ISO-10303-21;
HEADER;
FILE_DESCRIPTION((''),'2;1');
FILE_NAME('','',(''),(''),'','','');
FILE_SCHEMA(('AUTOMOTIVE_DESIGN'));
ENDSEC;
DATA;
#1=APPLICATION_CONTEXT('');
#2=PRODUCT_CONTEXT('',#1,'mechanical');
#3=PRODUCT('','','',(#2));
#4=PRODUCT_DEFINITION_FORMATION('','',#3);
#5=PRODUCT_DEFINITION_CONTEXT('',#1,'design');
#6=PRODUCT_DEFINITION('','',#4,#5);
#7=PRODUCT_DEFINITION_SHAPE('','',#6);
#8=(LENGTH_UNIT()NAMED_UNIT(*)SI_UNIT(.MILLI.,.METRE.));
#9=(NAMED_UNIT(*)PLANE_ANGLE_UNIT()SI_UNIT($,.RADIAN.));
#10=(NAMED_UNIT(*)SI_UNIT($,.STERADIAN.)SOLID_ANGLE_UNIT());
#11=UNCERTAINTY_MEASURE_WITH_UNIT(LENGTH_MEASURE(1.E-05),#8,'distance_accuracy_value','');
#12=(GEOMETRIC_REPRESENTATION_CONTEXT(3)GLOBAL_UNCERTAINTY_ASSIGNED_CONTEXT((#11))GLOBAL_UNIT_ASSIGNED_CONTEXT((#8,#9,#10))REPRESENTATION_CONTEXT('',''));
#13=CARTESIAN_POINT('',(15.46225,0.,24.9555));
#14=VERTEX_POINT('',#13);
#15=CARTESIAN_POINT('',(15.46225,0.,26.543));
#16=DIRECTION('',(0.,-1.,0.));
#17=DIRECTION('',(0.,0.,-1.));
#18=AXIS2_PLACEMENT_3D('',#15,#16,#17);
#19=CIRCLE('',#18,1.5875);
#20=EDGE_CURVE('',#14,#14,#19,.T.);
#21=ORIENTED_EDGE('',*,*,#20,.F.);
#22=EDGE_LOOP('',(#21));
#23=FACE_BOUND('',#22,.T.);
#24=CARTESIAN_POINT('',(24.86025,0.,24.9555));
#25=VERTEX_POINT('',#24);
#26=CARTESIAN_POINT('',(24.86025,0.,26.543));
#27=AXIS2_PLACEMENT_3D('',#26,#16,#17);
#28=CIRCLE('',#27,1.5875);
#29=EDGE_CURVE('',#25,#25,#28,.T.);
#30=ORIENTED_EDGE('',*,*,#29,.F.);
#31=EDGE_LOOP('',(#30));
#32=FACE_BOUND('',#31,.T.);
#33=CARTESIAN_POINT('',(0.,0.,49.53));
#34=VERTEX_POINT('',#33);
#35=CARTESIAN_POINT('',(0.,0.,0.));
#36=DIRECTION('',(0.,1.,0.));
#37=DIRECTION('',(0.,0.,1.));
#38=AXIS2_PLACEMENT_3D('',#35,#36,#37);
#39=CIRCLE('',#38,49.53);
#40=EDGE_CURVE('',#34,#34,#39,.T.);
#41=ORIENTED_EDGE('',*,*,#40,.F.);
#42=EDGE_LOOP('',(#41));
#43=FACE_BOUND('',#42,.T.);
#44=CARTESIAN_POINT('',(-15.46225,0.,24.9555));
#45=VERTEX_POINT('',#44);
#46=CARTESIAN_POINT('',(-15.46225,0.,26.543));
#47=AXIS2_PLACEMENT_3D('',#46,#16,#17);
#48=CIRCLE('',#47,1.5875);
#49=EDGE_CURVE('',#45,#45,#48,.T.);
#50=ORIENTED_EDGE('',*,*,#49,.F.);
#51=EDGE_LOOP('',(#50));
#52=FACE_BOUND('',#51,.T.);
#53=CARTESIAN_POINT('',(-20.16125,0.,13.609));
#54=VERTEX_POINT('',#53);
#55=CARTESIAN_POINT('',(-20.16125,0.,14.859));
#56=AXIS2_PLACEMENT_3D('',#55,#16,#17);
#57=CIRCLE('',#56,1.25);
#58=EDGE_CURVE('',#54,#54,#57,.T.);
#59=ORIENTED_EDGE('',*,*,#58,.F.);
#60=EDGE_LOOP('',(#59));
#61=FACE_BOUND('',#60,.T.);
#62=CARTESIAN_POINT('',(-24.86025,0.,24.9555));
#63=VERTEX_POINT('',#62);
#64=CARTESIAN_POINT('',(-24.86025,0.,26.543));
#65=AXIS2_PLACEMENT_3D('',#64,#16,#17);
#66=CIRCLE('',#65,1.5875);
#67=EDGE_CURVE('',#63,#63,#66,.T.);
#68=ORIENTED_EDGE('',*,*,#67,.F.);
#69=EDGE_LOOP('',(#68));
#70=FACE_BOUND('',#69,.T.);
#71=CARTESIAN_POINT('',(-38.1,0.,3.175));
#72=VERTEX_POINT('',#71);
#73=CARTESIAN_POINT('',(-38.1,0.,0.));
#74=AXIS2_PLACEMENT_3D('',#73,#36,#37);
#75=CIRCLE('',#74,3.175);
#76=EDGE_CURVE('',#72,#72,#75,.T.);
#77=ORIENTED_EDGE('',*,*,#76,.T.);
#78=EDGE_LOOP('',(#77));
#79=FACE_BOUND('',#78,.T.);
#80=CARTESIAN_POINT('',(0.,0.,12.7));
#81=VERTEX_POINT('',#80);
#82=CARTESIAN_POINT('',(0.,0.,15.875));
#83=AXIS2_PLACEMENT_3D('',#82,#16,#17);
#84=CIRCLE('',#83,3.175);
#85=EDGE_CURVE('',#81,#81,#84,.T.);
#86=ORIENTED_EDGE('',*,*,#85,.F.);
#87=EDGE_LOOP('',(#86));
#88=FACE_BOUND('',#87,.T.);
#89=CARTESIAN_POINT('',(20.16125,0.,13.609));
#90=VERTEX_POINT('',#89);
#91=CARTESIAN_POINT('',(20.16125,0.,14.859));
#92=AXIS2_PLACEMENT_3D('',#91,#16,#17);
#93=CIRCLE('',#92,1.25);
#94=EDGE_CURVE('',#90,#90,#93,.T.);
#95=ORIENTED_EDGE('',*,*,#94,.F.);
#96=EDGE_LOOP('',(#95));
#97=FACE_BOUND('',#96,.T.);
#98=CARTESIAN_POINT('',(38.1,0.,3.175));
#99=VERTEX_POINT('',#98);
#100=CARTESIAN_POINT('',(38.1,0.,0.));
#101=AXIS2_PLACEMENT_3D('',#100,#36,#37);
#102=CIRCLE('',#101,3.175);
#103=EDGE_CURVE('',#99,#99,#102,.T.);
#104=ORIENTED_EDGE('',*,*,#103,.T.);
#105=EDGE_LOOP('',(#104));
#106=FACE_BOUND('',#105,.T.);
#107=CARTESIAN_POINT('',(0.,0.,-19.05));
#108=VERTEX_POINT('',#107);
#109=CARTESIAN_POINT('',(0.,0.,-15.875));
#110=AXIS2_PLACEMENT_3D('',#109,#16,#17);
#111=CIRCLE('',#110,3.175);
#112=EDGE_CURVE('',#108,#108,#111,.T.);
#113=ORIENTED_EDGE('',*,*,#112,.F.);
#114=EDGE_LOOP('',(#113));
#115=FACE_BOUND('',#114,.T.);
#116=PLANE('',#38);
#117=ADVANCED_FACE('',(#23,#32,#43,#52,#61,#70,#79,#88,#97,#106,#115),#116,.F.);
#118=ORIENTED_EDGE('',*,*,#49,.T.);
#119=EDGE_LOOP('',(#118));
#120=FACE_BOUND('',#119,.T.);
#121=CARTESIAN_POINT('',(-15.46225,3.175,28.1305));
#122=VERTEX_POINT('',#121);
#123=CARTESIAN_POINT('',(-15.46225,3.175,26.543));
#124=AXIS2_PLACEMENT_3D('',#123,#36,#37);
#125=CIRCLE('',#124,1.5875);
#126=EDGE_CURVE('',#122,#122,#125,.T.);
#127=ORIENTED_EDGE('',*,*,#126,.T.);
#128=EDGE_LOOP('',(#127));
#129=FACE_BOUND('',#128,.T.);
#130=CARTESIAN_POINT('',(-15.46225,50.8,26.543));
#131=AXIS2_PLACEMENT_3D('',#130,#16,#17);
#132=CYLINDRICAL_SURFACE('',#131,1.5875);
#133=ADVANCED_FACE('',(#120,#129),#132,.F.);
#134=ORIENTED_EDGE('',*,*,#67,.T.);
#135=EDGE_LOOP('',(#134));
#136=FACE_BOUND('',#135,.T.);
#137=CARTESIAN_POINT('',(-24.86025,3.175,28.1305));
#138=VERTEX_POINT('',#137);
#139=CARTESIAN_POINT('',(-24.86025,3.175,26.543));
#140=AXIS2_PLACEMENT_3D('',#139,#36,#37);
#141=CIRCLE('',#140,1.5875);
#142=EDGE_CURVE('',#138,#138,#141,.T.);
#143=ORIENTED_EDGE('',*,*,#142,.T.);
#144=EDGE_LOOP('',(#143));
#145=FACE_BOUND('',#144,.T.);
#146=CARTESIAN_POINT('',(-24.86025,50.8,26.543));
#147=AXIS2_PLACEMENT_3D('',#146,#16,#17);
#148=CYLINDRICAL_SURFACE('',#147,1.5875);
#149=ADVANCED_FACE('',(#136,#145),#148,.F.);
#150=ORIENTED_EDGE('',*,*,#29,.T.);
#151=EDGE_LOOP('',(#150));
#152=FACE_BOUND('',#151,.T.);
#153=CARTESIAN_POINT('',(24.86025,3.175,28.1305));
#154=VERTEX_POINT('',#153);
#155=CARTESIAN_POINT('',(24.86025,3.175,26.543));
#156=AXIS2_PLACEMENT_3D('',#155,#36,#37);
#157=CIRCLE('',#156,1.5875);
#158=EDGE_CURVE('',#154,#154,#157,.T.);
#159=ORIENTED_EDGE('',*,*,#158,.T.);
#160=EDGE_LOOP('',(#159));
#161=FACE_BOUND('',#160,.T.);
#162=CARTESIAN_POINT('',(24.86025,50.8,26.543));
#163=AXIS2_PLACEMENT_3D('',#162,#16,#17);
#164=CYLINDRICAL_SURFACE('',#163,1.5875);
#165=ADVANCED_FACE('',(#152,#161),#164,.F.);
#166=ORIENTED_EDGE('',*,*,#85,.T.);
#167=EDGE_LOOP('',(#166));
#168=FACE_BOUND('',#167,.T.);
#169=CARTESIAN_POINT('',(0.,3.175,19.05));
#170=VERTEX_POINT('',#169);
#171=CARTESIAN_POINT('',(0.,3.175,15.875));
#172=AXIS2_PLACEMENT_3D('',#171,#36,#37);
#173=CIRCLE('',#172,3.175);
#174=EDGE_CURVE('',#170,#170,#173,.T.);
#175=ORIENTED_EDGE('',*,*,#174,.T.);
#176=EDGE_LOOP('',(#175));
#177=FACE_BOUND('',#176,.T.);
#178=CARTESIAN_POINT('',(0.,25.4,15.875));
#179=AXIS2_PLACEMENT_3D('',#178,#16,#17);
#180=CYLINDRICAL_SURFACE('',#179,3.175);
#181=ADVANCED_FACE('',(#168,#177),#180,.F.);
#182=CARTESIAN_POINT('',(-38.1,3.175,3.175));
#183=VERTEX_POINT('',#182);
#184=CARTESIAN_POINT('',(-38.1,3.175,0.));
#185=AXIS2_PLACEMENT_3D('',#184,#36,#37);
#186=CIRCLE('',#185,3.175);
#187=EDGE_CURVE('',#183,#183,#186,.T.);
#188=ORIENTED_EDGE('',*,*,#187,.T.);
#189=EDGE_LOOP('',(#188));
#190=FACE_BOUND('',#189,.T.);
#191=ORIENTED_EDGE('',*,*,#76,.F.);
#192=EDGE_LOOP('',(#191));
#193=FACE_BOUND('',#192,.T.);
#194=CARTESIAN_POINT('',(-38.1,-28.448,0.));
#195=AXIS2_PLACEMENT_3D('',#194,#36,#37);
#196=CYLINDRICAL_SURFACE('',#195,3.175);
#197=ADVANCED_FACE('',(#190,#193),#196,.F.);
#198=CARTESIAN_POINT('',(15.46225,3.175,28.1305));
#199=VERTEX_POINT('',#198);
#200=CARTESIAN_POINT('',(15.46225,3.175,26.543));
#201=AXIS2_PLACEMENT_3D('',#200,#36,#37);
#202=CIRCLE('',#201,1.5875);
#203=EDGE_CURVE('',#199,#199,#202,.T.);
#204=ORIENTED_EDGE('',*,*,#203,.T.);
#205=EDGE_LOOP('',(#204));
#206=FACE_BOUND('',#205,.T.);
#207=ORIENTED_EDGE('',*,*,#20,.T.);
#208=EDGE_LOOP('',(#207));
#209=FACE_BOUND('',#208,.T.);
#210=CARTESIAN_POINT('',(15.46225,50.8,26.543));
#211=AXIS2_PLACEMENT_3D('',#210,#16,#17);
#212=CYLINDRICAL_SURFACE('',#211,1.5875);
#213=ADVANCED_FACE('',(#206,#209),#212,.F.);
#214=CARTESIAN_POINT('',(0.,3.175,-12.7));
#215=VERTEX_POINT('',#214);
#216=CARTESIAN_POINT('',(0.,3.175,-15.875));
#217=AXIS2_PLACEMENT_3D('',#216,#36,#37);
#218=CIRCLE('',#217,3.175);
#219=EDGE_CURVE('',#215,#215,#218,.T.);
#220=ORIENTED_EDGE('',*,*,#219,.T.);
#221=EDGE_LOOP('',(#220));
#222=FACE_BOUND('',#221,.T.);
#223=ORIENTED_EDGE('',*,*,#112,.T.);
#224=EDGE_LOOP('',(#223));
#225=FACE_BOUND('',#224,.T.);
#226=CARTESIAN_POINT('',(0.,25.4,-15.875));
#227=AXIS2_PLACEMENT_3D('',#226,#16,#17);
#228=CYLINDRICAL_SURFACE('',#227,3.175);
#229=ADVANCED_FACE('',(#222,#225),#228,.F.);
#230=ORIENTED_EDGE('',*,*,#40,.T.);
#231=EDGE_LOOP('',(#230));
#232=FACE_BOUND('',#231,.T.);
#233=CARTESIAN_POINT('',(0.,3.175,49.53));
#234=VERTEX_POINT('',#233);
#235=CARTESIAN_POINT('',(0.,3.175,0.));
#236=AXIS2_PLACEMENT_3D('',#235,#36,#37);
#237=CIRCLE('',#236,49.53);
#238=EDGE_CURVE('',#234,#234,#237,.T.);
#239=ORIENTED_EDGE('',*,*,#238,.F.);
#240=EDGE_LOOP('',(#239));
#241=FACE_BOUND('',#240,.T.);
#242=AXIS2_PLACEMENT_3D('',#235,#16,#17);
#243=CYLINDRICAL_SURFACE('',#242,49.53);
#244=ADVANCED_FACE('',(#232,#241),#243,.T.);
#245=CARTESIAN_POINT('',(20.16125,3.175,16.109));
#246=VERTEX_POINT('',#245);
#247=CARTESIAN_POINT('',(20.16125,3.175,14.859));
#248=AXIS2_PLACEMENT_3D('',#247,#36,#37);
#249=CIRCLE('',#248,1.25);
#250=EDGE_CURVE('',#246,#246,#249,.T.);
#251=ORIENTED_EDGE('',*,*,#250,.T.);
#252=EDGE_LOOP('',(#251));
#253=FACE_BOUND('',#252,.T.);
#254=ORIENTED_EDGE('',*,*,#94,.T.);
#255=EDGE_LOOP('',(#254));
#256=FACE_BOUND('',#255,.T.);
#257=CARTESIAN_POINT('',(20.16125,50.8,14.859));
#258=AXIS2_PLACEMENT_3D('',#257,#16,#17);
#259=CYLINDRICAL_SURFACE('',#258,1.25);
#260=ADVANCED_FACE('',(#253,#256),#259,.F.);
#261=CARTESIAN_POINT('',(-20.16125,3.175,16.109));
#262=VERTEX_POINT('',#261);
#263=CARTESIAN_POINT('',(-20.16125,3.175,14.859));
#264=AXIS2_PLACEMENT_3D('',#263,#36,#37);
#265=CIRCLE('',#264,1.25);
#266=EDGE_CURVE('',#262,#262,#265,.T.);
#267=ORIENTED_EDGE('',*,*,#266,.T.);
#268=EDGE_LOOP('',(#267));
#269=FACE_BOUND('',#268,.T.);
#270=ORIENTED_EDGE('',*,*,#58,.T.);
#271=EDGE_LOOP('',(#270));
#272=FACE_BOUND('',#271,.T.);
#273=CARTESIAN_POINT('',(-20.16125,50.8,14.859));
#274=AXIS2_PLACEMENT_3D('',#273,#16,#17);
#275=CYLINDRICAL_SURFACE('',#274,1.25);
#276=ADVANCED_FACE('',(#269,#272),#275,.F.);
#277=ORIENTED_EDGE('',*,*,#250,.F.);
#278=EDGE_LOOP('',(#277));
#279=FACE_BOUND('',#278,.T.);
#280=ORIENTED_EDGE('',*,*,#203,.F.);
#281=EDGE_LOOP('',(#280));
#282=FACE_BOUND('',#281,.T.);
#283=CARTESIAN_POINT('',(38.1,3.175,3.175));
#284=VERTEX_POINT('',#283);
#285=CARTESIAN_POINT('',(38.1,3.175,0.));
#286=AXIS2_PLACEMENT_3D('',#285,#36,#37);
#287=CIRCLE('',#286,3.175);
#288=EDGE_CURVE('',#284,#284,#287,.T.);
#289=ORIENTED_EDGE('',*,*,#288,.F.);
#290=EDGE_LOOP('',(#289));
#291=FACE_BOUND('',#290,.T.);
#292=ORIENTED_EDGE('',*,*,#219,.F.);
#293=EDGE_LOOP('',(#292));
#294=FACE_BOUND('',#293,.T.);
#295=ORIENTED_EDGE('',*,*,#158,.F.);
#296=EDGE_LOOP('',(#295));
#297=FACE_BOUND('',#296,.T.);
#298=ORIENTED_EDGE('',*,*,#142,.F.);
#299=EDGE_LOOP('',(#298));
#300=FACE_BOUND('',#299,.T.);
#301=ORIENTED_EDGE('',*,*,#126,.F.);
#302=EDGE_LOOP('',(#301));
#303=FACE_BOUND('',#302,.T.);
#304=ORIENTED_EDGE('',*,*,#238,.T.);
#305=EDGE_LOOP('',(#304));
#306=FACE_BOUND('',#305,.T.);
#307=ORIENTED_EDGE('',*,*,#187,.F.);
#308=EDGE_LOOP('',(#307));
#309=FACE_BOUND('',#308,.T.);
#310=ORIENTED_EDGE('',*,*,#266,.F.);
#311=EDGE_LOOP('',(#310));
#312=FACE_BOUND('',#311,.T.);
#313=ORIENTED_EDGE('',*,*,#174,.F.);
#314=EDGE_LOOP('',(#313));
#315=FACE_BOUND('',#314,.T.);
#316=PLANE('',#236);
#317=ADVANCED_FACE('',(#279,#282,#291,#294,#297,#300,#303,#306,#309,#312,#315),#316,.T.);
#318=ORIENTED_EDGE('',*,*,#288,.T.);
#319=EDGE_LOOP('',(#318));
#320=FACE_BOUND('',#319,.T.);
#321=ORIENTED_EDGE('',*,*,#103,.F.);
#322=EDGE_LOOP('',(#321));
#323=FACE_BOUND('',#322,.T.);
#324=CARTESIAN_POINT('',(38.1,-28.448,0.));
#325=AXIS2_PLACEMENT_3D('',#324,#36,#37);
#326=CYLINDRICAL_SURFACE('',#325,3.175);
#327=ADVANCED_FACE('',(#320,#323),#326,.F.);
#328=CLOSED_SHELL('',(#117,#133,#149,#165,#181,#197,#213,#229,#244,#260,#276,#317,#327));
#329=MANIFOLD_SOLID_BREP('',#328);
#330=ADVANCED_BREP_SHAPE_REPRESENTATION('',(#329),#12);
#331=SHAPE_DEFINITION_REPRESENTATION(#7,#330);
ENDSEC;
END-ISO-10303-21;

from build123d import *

# Parameters (mm, degrees)
SKETCH1_R           = 49.53
BOSS_EXTRUDE1_DEPTH = 3.175
SKETCH2_R           = 3.175
CUT_EXTRUDE1_DEPTH  = 263.398
SKETCH3_R           = 3.175
CUT_EXTRUDE2_DEPTH  = 25.4
SKETCH4_R           = 1.5875
SKETCH4_R_2         = 1.25
CUT_EXTRUDE3_DEPTH  = 50.8


with BuildPart() as part:
    # Sketch1 → Boss-Extrude1 (new body)
    with BuildSketch(Plane(origin=(0, 0, 0), x_dir=(1, 0, 0), z_dir=(0, 1, 0))):
        Circle(SKETCH1_R)
    extrude(amount=BOSS_EXTRUDE1_DEPTH)

    # Sketch2 → Cut-Extrude1 (cut)
    with BuildSketch(Plane(origin=(-55.039702575, 234.95, -116.088398355), x_dir=(-1, 0, 0), z_dir=(0, 1, 0))):
        with Locations((-93.139702575, 116.088398355)):
            Circle(SKETCH2_R)
        with Locations((-16.939702575, 116.088398355)):
            Circle(SKETCH2_R)
    extrude(amount=-CUT_EXTRUDE1_DEPTH, mode=Mode.SUBTRACT)

    # Sketch3 → Cut-Extrude2 (cut)
    with BuildSketch(Plane(origin=(-28.264398128, 0, -82.371298873), x_dir=(1, 0, 0), z_dir=(0, -1, 0))):
        with Locations((28.264398128, 98.246298873)):
            Circle(SKETCH3_R)
        with Locations((28.264398128, 66.496298873)):
            Circle(SKETCH3_R)
    extrude(amount=-CUT_EXTRUDE2_DEPTH, mode=Mode.SUBTRACT)

    # Sketch4 → Cut-Extrude3 (cut)
    with BuildSketch(Plane(origin=(-28.264398128, 0, -82.371298873), x_dir=(-1, 0, 0), z_dir=(0, -1, 0))):
        with Locations((-3.404148128, -108.914298873)):
            Circle(SKETCH4_R)
        with Locations((-12.802148128, -108.914298873)):
            Circle(SKETCH4_R)
        with Locations((-43.726648128, -108.914298873)):
            Circle(SKETCH4_R)
        with Locations((-53.124648128, -108.914298873)):
            Circle(SKETCH4_R)
        with Locations((-8.103148128, -97.230298873)):
            Circle(SKETCH4_R_2)
        with Locations((-48.425648128, -97.230298873)):
            Circle(SKETCH4_R_2)
    extrude(amount=-CUT_EXTRUDE3_DEPTH, mode=Mode.SUBTRACT)


solid = part.part
